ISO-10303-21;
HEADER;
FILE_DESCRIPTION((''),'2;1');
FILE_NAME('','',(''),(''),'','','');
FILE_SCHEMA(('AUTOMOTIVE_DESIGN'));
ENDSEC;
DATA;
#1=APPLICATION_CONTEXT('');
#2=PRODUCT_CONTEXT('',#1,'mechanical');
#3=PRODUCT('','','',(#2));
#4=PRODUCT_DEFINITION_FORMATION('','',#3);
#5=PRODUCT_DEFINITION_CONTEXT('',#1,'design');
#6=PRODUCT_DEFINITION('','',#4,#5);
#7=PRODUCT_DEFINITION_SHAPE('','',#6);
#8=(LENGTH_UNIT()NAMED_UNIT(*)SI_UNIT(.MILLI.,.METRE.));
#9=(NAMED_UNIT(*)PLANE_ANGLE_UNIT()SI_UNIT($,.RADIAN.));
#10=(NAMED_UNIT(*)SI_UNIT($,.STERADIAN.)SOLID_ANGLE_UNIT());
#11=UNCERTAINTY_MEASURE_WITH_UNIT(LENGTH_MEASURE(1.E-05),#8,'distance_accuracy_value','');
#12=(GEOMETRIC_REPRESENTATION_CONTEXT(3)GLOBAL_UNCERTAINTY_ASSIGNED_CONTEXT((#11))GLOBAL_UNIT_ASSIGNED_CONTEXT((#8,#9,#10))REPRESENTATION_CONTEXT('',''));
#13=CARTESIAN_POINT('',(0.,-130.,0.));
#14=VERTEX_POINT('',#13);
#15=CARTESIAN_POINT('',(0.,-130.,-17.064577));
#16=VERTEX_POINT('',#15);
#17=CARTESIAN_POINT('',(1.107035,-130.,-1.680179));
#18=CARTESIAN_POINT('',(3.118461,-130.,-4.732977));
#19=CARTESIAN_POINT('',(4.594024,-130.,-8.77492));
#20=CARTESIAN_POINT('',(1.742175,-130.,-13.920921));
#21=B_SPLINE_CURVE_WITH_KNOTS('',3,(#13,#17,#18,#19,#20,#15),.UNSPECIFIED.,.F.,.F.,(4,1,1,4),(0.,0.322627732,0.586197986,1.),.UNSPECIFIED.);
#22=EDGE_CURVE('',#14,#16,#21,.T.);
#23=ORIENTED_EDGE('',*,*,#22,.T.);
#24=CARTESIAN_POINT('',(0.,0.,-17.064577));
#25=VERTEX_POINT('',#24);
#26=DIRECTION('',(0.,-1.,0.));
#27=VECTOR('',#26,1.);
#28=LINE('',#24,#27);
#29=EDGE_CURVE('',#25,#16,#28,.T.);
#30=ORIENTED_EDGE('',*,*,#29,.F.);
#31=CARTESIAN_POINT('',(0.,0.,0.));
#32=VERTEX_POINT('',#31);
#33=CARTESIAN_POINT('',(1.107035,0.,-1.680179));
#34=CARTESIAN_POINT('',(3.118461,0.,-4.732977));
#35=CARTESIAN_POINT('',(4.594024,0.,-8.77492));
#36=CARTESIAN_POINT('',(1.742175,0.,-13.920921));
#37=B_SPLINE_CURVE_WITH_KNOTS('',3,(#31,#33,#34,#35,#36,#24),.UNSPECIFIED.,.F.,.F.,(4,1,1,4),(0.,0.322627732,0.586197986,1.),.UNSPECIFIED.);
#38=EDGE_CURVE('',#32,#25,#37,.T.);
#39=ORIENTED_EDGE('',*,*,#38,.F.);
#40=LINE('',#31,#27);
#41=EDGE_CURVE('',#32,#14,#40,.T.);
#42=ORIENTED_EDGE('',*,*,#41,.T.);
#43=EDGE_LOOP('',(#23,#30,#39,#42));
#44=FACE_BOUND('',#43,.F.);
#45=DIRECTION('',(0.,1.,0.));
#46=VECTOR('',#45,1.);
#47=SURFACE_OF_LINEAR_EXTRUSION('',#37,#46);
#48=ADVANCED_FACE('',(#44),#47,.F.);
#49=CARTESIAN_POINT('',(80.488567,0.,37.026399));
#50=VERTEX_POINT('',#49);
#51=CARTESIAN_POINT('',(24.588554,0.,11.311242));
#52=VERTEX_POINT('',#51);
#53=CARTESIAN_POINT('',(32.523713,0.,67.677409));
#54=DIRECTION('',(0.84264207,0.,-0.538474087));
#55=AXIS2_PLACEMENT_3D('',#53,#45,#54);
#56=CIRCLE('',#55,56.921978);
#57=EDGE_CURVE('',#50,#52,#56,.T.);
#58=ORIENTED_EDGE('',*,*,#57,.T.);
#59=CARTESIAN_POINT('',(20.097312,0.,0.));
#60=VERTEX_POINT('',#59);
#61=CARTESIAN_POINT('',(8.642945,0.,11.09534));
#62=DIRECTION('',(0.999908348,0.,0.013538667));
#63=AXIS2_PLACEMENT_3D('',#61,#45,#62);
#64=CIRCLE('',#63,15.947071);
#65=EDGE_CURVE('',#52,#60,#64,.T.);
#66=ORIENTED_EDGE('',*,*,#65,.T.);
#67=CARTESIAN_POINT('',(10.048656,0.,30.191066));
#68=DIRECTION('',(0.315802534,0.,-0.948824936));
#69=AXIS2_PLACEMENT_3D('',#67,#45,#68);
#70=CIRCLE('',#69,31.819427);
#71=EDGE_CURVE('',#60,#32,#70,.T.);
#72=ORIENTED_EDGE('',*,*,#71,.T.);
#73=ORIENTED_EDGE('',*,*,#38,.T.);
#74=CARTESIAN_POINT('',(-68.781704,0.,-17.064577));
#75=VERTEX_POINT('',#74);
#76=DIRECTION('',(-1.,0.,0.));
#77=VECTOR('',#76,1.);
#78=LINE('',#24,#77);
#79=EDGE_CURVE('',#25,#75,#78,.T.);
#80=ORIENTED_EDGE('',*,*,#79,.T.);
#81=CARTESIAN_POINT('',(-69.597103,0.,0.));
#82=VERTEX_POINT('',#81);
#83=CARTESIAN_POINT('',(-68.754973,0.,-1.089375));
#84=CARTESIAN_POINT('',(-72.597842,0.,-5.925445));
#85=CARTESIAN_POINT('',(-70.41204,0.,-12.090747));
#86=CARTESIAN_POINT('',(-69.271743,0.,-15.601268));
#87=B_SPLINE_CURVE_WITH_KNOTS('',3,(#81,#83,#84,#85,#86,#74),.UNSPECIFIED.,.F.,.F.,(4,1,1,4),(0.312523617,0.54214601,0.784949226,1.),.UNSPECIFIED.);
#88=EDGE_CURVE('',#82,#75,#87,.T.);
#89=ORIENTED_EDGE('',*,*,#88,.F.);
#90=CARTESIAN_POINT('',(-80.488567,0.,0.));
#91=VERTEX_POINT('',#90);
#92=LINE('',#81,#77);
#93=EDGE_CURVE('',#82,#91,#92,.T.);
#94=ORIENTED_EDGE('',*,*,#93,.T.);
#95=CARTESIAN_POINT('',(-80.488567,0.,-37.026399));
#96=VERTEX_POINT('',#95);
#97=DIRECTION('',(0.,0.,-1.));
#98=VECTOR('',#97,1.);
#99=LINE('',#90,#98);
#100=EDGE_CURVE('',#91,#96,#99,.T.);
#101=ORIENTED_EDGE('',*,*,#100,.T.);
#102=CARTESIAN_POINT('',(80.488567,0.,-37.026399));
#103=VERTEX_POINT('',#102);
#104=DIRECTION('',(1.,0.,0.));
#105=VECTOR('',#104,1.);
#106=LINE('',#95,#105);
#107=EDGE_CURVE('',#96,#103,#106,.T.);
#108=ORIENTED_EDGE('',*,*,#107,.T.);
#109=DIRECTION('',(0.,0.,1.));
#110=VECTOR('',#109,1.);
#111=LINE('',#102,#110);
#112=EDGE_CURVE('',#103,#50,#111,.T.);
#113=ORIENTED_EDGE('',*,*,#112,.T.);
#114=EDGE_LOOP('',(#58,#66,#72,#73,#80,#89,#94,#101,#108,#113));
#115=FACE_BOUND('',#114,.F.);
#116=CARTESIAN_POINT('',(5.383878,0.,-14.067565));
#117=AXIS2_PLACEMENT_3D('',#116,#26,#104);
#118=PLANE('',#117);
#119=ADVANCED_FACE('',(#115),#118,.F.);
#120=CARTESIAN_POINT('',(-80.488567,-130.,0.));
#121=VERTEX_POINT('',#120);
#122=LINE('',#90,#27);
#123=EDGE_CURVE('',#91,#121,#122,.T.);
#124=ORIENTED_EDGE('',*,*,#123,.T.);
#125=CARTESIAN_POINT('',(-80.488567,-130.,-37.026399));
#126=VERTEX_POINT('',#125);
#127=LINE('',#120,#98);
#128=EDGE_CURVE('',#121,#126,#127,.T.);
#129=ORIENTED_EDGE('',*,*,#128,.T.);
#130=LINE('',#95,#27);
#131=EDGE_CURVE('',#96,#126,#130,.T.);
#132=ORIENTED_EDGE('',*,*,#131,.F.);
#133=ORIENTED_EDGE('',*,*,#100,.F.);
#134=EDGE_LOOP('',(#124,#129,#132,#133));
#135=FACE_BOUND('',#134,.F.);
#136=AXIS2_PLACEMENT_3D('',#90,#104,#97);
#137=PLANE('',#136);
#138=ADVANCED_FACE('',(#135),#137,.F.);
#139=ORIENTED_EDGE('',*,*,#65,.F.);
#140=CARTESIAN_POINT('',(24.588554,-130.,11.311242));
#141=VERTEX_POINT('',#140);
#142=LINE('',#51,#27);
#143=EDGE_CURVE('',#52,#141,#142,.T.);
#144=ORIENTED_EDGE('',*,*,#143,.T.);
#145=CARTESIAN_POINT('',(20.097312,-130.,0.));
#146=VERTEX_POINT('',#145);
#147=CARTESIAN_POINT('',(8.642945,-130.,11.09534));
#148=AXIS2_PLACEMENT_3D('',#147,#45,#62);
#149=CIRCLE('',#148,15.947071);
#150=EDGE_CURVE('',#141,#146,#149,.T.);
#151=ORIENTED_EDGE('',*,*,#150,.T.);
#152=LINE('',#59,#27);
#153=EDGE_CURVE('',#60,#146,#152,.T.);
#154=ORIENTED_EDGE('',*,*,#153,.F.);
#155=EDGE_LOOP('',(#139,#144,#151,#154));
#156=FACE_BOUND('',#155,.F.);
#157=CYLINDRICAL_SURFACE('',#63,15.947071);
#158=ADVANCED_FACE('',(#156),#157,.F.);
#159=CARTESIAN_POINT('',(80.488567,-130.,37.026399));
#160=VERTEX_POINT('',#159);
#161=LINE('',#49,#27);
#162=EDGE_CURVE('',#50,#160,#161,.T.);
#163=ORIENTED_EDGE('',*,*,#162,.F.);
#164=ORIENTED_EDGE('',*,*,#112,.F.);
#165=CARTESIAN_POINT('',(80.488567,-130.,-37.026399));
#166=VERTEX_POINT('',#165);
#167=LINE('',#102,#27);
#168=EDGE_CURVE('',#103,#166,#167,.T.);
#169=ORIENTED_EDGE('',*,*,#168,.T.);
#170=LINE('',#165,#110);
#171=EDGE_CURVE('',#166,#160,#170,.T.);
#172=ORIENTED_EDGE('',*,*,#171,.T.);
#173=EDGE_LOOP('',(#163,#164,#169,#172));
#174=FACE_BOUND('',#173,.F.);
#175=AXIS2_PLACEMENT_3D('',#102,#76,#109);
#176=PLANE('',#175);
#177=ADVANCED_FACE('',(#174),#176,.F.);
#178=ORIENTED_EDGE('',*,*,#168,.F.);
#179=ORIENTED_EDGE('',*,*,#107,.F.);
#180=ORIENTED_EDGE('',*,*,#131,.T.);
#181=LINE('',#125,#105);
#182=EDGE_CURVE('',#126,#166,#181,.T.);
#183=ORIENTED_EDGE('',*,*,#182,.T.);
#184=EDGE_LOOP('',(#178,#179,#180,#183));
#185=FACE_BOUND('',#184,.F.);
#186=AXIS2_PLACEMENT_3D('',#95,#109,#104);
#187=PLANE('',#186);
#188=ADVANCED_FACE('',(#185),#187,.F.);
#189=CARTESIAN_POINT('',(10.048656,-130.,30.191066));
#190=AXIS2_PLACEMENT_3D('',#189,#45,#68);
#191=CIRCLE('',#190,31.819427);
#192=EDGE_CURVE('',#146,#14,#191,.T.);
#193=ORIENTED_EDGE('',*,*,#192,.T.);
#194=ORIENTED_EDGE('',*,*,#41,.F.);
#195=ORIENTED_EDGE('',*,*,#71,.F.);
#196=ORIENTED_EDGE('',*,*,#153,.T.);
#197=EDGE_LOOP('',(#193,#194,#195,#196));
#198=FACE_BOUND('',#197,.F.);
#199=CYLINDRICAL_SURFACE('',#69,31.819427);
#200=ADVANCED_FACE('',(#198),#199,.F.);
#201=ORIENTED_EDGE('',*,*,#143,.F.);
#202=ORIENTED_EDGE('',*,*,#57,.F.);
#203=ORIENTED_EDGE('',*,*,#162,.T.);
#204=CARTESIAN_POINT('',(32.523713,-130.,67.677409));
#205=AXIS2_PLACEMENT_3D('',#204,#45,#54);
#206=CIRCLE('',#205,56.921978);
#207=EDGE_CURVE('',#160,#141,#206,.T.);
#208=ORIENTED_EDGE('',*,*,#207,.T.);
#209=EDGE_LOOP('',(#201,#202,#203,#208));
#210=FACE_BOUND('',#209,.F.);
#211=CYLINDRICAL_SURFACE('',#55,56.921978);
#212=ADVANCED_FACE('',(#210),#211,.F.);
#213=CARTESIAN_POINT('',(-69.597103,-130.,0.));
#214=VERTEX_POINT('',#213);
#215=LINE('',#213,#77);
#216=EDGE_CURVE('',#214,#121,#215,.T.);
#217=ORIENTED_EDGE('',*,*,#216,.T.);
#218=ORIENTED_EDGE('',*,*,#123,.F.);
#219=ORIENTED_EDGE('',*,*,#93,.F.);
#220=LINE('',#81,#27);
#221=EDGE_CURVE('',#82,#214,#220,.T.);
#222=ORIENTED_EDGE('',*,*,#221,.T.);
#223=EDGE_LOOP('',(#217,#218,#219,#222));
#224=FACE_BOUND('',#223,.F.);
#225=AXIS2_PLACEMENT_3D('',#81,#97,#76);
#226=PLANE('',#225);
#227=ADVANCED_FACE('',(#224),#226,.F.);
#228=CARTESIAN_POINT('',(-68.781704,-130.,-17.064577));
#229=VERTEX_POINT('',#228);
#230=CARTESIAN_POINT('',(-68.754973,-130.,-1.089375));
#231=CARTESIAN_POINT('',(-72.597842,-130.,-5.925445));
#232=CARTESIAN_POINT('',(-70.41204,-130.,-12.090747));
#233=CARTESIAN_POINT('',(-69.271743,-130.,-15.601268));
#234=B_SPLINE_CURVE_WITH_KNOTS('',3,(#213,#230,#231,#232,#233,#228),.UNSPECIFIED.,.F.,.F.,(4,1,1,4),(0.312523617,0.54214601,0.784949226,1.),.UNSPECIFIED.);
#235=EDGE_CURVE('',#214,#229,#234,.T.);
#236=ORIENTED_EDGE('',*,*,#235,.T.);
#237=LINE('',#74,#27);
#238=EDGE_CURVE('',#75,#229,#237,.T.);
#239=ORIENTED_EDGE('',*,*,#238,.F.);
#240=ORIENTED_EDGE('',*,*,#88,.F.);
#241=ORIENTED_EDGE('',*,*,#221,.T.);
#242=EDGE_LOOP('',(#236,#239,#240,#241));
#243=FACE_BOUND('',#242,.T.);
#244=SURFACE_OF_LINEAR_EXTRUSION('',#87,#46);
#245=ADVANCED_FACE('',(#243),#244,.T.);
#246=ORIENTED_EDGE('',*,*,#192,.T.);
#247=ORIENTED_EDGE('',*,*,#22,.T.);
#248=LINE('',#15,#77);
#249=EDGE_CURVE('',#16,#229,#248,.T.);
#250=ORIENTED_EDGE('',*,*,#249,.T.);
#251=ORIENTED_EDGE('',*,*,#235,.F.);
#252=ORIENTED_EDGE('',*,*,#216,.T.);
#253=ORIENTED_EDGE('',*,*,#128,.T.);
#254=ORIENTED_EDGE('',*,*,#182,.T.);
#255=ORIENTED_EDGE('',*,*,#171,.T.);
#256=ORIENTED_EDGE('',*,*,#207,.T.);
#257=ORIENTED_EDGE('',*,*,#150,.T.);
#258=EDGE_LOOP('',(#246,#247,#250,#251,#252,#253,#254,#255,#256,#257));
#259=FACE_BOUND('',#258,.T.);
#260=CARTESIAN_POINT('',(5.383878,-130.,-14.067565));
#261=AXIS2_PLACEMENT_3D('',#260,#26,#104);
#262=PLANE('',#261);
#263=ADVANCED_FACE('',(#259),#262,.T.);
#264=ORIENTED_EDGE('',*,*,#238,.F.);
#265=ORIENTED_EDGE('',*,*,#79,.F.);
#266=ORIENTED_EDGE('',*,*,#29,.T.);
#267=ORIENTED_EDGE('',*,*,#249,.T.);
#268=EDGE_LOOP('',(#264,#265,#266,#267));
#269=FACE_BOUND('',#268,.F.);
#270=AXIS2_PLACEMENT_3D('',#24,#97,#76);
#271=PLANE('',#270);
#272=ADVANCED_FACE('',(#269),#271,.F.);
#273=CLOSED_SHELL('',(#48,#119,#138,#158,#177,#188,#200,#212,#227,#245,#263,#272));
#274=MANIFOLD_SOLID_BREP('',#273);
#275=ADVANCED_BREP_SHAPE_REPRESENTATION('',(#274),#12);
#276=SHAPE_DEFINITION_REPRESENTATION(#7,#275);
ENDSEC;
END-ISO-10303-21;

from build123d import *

# Parameters (mm, degrees)
F1_DEPTH = 130


with BuildPart() as f1:
    # F0 (on Front) → F1 (new body)
    with BuildSketch(Plane.XZ):
        with BuildLine():
            Line((-80.4885666445, 0), (-80.4885666445, -37.026398866))
            Line((-80.4885666445, -37.026398866), (80.4885666445, -37.026398866))
            Line((80.4885666445, -37.026398866), (80.4885666445, 37.026398866))
            ThreePointArc((80.4885666445, 37.026398866), (56.312606492, 15.964739969), (24.5885544515, 11.3112416162))
            ThreePointArc((24.5885544515, 11.3112416162), (23.4644064233, 5.2103284523), (20.0973115861, 0))
            ThreePointArc((20.0973115861, 0), (10.0486557931, -1.628361225), (0, 0))
            add(Edge.make_bspline(
                [(0, 0), (1.1070352702, -1.6801785988), (3.1184613885, -4.7329766513), (4.5940239288, -8.7749202813), (1.7421748157, -13.92092092), (0, -17.0645769686)],
                knots=[0, 0, 0, 0, 0.3226277316, 0.5861979859, 1, 1, 1, 1], degree=3))
            Line((0, -17.0645769686), (-68.7817037106, -17.0645769686))
            add(Edge.make_bspline(
                [(-69.5971027017, 0), (-68.7549732227, -1.0893751099), (-72.5978419161, -5.9254448151), (-70.4120398181, -12.0907470214), (-69.2717425761, -15.6012676406), (-68.7817037106, -17.0645769686)],
                knots=[0.3125236167, 0.3125236167, 0.3125236167, 0.3125236167, 0.5421460101, 0.7849492257, 1, 1, 1, 1], degree=3))
            Line((-69.5971027017, 0), (-80.4885666445, 0))
        make_face()
    extrude(amount=F1_DEPTH)


solid = f1.part
